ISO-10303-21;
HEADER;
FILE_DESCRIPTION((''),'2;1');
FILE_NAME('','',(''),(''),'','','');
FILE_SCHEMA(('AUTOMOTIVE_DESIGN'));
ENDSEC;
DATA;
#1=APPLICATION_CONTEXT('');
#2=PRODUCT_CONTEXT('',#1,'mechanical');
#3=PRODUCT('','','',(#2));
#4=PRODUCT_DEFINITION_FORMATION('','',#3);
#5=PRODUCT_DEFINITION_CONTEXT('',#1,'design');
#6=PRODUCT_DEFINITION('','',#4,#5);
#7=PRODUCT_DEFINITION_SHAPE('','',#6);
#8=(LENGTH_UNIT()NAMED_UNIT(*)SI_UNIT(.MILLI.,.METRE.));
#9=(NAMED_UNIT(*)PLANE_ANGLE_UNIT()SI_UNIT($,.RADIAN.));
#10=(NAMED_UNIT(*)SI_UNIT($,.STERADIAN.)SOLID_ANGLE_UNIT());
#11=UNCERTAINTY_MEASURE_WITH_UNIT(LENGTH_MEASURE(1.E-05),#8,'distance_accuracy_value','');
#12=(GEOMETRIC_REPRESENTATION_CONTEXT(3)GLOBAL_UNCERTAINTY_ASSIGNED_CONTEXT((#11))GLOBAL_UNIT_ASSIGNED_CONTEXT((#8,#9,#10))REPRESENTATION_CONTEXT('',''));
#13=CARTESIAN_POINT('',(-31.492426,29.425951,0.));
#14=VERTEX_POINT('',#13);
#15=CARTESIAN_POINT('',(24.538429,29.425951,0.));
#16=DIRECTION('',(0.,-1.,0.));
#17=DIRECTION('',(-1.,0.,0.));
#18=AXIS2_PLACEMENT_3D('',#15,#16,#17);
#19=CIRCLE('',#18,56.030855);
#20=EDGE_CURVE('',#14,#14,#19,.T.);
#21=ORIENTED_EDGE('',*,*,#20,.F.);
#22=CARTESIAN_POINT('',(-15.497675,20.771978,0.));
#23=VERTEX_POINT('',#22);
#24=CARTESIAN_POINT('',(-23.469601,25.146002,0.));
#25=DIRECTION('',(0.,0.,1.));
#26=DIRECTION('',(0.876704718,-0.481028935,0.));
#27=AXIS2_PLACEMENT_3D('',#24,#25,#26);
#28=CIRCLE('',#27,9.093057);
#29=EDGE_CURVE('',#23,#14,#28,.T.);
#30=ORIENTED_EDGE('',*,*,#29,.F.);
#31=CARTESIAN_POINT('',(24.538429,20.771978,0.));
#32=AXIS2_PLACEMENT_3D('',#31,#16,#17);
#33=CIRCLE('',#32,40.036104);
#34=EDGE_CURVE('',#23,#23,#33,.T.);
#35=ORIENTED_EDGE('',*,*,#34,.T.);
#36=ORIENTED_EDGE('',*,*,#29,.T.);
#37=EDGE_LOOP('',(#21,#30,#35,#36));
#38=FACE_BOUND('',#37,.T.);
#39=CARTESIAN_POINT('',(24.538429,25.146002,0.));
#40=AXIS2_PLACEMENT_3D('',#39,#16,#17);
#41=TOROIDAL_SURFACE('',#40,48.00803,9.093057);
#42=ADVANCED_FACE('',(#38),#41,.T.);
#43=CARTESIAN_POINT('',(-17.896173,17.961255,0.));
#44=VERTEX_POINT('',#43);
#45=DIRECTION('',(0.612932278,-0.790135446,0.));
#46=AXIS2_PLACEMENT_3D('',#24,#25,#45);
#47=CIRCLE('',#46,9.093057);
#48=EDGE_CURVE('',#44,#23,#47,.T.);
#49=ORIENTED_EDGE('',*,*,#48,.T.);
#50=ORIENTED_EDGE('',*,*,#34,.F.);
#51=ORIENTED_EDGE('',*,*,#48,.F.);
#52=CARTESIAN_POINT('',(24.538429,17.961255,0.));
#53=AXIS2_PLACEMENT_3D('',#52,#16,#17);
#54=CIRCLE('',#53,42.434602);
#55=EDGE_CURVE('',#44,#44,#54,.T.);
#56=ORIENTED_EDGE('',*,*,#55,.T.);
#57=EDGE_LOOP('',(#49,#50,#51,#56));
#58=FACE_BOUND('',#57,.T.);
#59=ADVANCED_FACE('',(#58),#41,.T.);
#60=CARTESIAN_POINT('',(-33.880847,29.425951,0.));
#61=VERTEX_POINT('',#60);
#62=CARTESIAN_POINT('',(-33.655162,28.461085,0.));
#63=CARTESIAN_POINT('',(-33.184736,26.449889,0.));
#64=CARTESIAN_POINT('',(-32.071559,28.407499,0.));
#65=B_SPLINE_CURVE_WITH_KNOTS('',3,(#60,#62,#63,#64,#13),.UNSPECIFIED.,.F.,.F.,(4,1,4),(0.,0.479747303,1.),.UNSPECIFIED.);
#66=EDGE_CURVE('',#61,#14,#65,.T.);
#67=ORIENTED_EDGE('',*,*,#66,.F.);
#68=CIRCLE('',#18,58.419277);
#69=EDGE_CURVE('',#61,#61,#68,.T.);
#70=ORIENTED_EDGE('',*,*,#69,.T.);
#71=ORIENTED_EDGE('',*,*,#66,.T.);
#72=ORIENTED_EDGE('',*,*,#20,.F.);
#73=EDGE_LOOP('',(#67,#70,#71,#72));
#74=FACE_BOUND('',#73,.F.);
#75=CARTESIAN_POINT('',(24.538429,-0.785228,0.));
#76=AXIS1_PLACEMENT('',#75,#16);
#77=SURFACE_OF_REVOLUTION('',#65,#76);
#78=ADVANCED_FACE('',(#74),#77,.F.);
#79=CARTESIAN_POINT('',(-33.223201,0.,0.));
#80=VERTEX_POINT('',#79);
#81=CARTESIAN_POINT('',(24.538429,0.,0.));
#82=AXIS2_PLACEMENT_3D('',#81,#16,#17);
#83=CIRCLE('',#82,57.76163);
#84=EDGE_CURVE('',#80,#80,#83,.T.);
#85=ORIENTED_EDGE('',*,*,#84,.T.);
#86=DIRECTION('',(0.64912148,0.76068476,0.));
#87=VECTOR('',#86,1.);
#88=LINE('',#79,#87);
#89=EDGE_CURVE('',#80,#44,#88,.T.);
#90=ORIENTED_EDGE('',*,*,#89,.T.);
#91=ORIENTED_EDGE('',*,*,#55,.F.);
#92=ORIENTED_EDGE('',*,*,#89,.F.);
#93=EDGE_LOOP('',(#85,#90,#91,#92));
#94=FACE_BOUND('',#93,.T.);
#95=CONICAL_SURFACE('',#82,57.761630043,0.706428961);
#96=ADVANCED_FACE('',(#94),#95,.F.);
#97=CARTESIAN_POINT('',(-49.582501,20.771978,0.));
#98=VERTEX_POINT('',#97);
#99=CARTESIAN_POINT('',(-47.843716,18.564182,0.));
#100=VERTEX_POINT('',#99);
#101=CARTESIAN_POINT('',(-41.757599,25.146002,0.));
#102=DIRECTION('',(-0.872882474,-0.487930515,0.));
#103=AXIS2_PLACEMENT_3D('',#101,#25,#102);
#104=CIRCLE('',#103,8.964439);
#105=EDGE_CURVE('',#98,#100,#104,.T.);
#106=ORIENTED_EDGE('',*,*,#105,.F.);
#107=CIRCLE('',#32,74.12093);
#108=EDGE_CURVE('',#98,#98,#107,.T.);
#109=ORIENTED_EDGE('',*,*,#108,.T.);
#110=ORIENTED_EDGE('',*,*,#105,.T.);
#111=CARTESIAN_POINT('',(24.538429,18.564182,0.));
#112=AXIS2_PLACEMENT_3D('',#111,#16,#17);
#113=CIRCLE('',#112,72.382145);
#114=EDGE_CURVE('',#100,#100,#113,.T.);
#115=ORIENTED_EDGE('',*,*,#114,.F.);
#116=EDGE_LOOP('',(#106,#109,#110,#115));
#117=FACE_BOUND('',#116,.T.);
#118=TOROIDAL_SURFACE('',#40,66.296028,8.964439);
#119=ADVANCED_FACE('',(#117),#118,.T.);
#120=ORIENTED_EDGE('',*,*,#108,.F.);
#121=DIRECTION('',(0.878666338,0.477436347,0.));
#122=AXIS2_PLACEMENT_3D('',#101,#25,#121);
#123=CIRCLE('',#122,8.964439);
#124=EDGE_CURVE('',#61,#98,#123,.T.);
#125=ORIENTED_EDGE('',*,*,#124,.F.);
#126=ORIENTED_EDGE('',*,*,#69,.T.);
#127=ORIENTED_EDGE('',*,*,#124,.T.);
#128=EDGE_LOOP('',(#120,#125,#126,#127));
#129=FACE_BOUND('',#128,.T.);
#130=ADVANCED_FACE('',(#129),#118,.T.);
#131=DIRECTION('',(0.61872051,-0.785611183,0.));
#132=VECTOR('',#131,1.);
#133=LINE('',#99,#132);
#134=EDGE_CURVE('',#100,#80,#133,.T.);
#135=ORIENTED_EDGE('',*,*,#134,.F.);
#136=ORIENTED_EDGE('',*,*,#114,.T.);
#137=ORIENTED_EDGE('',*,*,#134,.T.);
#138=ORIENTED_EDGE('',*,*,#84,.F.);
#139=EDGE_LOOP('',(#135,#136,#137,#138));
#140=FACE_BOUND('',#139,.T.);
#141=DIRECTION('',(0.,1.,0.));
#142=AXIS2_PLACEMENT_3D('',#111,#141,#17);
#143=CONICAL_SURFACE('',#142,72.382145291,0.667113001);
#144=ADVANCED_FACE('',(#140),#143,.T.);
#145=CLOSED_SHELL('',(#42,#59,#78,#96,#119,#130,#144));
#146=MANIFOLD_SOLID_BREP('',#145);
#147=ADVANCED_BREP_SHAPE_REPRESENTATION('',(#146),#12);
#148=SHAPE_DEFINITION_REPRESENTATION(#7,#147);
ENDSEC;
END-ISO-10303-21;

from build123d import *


with BuildPart() as f1:
    # F0 (on Top) → F1 (revolve)
    with BuildSketch(Plane.XY):
        with BuildLine():
            add(Edge.make_bspline(
                [(-33.8808472961, 29.4259511947), (-33.6551617935, 28.4610853864), (-33.1847360067, 26.4498894885), (-32.071559145, 28.407499373), (-31.4924258806, 29.4259511947)],
                knots=[0, 0, 0, 0, 0.4797473032, 1, 1, 1, 1], degree=3))
            ThreePointArc((-33.8808472961, 29.4259511947), (-46.0846625906, 32.9969695268), (-49.5825006356, 20.7719783741))
            Line((-49.5825006356, 20.7719783741), (-47.8437158368, 18.5641821888))
            Line((-47.8437158368, 18.5641821888), (-33.2232005894, 0))
            Line((-33.2232005894, 0), (-17.8961726294, 17.9612552238))
            Line((-17.8961726294, 17.9612552238), (-15.497674764, 20.7719783741))
            ThreePointArc((-15.497674764, 20.7719783741), (-19.1425395753, 33.1435158333), (-31.4924258806, 29.4259511947))
        make_face()
        with BuildLine():
            Line((-47.8437158368, 18.5641821888), (-49.5825006356, 20.7719783741))
            ThreePointArc((-49.5825006356, 20.7719783741), (-48.8001624289, 19.5995193754), (-47.8437158368, 18.5641821888))
        make_face()
        with BuildLine():
            ThreePointArc((-17.8961726294, 17.9612552238), (-16.5526508728, 19.243503265), (-15.497674764, 20.7719783741))
            Line((-15.497674764, 20.7719783741), (-17.8961726294, 17.9612552238))
        make_face()
    revolve(axis=Axis((24.538429454, -0.785227865, 0), (0, -1, 0)))


solid = f1.part
